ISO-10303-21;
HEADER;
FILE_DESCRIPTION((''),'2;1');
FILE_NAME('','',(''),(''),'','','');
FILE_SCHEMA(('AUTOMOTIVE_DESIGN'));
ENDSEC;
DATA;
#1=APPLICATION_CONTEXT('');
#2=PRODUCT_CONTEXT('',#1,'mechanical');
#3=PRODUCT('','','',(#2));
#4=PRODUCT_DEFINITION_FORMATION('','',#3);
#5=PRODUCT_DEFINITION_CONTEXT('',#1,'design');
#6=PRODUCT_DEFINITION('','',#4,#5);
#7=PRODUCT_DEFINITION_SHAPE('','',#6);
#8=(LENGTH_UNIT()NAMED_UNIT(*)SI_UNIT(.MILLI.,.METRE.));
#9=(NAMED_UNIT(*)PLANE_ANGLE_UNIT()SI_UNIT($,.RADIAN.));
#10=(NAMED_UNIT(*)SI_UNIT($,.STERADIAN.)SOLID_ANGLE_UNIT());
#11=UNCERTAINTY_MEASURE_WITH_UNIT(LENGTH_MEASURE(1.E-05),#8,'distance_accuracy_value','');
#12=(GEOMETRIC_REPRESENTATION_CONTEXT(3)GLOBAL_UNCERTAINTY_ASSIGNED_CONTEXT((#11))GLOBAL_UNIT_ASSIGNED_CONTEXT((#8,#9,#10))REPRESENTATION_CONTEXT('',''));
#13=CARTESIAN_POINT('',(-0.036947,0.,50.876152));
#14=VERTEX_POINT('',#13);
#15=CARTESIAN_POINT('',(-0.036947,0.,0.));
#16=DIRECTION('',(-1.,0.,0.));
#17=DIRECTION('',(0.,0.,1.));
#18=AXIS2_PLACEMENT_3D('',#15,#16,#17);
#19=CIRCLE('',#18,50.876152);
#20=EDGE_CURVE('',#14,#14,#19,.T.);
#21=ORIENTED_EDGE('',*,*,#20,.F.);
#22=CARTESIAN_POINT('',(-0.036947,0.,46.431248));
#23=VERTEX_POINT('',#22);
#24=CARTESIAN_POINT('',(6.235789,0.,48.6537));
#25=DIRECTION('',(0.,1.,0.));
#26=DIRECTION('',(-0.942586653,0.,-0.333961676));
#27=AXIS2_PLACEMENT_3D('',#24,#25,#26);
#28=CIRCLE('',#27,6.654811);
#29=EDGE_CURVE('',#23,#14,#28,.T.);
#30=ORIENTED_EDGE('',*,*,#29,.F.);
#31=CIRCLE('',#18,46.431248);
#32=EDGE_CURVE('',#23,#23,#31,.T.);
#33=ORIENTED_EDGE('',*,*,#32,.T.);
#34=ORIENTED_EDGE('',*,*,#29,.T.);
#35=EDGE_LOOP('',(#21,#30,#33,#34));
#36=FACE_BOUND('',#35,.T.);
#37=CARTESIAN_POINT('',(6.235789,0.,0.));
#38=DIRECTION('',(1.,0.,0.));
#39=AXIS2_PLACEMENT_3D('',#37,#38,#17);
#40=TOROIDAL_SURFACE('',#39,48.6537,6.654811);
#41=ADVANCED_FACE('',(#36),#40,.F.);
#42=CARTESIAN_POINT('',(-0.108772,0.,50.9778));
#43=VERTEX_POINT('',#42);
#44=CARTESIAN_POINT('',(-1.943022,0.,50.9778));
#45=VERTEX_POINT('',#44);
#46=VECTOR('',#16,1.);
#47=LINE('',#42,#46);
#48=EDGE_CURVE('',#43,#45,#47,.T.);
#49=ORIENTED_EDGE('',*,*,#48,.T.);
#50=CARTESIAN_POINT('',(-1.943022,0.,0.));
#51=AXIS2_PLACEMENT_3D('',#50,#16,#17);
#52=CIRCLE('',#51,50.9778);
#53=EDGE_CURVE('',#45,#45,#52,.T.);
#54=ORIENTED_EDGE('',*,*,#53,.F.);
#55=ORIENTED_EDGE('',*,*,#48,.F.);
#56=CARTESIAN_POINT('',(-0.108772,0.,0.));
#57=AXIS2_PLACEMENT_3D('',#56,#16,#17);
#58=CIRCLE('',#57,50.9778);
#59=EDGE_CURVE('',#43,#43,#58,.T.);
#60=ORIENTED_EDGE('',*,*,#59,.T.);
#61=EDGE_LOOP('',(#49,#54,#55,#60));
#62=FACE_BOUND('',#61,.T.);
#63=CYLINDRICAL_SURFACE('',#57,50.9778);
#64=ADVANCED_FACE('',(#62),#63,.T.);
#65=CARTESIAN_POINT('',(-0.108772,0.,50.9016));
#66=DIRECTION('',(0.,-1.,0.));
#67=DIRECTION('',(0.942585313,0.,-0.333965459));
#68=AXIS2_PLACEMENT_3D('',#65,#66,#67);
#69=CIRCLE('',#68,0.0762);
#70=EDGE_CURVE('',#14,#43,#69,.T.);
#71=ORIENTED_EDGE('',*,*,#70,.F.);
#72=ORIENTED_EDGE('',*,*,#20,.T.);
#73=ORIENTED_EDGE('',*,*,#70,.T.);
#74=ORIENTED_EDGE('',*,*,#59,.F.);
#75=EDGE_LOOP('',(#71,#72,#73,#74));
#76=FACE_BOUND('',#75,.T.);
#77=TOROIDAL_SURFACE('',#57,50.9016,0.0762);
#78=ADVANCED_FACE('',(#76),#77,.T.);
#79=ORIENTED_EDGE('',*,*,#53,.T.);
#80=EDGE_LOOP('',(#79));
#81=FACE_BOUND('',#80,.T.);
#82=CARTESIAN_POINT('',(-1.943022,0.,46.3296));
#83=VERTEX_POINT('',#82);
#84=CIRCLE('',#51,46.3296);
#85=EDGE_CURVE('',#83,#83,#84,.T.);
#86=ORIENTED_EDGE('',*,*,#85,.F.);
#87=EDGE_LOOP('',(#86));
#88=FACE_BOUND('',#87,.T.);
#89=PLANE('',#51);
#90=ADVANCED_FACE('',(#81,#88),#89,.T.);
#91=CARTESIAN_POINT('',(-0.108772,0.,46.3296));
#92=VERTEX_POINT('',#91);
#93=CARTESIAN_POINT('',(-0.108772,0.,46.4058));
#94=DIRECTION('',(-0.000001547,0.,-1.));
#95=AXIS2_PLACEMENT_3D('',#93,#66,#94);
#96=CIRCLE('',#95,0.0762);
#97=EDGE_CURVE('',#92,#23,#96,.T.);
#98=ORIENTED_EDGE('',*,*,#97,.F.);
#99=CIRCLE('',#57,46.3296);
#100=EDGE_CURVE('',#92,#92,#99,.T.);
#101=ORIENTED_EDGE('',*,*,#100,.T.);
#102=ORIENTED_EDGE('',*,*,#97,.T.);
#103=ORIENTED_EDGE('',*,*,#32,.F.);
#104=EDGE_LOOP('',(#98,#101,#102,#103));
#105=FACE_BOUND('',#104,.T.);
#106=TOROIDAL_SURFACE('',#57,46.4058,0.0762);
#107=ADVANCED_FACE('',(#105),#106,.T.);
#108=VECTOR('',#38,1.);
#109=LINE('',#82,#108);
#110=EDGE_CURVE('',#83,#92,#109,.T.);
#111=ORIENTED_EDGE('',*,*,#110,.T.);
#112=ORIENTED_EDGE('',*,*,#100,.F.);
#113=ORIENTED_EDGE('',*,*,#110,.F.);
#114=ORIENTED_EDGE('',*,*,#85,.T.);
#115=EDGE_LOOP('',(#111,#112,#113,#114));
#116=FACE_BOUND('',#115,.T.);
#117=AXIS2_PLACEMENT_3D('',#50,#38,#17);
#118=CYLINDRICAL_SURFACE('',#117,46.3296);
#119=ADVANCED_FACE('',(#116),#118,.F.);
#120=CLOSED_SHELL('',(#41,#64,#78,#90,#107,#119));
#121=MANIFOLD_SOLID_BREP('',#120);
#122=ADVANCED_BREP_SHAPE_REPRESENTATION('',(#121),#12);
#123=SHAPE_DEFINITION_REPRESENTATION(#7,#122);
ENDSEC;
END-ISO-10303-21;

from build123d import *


with BuildPart() as f1:
    # F0 (on Front) → F1 (revolve)
    with BuildSketch(Plane.XZ):
        with BuildLine():
            ThreePointArc((-0.036947, 50.876152), (-0.04654, 50.945573), (-0.108772, 50.9778))
            Line((-0.108772, 50.9778), (-1.943022, 50.9778))
            Line((-1.943022, 50.9778), (-1.943022, 46.3296))
            Line((-1.943022, 46.3296), (-0.108772, 46.3296))
            ThreePointArc((-0.108772, 46.3296), (-0.04654, 46.361827), (-0.036947, 46.431248))
            ThreePointArc((-0.036947, 46.431248), (-0.419022, 48.6537), (-0.036947, 50.876152))
        make_face()
    revolve(axis=Axis((-3.079263, 0, 0), (-1, 0, 0)))


solid = f1.part
